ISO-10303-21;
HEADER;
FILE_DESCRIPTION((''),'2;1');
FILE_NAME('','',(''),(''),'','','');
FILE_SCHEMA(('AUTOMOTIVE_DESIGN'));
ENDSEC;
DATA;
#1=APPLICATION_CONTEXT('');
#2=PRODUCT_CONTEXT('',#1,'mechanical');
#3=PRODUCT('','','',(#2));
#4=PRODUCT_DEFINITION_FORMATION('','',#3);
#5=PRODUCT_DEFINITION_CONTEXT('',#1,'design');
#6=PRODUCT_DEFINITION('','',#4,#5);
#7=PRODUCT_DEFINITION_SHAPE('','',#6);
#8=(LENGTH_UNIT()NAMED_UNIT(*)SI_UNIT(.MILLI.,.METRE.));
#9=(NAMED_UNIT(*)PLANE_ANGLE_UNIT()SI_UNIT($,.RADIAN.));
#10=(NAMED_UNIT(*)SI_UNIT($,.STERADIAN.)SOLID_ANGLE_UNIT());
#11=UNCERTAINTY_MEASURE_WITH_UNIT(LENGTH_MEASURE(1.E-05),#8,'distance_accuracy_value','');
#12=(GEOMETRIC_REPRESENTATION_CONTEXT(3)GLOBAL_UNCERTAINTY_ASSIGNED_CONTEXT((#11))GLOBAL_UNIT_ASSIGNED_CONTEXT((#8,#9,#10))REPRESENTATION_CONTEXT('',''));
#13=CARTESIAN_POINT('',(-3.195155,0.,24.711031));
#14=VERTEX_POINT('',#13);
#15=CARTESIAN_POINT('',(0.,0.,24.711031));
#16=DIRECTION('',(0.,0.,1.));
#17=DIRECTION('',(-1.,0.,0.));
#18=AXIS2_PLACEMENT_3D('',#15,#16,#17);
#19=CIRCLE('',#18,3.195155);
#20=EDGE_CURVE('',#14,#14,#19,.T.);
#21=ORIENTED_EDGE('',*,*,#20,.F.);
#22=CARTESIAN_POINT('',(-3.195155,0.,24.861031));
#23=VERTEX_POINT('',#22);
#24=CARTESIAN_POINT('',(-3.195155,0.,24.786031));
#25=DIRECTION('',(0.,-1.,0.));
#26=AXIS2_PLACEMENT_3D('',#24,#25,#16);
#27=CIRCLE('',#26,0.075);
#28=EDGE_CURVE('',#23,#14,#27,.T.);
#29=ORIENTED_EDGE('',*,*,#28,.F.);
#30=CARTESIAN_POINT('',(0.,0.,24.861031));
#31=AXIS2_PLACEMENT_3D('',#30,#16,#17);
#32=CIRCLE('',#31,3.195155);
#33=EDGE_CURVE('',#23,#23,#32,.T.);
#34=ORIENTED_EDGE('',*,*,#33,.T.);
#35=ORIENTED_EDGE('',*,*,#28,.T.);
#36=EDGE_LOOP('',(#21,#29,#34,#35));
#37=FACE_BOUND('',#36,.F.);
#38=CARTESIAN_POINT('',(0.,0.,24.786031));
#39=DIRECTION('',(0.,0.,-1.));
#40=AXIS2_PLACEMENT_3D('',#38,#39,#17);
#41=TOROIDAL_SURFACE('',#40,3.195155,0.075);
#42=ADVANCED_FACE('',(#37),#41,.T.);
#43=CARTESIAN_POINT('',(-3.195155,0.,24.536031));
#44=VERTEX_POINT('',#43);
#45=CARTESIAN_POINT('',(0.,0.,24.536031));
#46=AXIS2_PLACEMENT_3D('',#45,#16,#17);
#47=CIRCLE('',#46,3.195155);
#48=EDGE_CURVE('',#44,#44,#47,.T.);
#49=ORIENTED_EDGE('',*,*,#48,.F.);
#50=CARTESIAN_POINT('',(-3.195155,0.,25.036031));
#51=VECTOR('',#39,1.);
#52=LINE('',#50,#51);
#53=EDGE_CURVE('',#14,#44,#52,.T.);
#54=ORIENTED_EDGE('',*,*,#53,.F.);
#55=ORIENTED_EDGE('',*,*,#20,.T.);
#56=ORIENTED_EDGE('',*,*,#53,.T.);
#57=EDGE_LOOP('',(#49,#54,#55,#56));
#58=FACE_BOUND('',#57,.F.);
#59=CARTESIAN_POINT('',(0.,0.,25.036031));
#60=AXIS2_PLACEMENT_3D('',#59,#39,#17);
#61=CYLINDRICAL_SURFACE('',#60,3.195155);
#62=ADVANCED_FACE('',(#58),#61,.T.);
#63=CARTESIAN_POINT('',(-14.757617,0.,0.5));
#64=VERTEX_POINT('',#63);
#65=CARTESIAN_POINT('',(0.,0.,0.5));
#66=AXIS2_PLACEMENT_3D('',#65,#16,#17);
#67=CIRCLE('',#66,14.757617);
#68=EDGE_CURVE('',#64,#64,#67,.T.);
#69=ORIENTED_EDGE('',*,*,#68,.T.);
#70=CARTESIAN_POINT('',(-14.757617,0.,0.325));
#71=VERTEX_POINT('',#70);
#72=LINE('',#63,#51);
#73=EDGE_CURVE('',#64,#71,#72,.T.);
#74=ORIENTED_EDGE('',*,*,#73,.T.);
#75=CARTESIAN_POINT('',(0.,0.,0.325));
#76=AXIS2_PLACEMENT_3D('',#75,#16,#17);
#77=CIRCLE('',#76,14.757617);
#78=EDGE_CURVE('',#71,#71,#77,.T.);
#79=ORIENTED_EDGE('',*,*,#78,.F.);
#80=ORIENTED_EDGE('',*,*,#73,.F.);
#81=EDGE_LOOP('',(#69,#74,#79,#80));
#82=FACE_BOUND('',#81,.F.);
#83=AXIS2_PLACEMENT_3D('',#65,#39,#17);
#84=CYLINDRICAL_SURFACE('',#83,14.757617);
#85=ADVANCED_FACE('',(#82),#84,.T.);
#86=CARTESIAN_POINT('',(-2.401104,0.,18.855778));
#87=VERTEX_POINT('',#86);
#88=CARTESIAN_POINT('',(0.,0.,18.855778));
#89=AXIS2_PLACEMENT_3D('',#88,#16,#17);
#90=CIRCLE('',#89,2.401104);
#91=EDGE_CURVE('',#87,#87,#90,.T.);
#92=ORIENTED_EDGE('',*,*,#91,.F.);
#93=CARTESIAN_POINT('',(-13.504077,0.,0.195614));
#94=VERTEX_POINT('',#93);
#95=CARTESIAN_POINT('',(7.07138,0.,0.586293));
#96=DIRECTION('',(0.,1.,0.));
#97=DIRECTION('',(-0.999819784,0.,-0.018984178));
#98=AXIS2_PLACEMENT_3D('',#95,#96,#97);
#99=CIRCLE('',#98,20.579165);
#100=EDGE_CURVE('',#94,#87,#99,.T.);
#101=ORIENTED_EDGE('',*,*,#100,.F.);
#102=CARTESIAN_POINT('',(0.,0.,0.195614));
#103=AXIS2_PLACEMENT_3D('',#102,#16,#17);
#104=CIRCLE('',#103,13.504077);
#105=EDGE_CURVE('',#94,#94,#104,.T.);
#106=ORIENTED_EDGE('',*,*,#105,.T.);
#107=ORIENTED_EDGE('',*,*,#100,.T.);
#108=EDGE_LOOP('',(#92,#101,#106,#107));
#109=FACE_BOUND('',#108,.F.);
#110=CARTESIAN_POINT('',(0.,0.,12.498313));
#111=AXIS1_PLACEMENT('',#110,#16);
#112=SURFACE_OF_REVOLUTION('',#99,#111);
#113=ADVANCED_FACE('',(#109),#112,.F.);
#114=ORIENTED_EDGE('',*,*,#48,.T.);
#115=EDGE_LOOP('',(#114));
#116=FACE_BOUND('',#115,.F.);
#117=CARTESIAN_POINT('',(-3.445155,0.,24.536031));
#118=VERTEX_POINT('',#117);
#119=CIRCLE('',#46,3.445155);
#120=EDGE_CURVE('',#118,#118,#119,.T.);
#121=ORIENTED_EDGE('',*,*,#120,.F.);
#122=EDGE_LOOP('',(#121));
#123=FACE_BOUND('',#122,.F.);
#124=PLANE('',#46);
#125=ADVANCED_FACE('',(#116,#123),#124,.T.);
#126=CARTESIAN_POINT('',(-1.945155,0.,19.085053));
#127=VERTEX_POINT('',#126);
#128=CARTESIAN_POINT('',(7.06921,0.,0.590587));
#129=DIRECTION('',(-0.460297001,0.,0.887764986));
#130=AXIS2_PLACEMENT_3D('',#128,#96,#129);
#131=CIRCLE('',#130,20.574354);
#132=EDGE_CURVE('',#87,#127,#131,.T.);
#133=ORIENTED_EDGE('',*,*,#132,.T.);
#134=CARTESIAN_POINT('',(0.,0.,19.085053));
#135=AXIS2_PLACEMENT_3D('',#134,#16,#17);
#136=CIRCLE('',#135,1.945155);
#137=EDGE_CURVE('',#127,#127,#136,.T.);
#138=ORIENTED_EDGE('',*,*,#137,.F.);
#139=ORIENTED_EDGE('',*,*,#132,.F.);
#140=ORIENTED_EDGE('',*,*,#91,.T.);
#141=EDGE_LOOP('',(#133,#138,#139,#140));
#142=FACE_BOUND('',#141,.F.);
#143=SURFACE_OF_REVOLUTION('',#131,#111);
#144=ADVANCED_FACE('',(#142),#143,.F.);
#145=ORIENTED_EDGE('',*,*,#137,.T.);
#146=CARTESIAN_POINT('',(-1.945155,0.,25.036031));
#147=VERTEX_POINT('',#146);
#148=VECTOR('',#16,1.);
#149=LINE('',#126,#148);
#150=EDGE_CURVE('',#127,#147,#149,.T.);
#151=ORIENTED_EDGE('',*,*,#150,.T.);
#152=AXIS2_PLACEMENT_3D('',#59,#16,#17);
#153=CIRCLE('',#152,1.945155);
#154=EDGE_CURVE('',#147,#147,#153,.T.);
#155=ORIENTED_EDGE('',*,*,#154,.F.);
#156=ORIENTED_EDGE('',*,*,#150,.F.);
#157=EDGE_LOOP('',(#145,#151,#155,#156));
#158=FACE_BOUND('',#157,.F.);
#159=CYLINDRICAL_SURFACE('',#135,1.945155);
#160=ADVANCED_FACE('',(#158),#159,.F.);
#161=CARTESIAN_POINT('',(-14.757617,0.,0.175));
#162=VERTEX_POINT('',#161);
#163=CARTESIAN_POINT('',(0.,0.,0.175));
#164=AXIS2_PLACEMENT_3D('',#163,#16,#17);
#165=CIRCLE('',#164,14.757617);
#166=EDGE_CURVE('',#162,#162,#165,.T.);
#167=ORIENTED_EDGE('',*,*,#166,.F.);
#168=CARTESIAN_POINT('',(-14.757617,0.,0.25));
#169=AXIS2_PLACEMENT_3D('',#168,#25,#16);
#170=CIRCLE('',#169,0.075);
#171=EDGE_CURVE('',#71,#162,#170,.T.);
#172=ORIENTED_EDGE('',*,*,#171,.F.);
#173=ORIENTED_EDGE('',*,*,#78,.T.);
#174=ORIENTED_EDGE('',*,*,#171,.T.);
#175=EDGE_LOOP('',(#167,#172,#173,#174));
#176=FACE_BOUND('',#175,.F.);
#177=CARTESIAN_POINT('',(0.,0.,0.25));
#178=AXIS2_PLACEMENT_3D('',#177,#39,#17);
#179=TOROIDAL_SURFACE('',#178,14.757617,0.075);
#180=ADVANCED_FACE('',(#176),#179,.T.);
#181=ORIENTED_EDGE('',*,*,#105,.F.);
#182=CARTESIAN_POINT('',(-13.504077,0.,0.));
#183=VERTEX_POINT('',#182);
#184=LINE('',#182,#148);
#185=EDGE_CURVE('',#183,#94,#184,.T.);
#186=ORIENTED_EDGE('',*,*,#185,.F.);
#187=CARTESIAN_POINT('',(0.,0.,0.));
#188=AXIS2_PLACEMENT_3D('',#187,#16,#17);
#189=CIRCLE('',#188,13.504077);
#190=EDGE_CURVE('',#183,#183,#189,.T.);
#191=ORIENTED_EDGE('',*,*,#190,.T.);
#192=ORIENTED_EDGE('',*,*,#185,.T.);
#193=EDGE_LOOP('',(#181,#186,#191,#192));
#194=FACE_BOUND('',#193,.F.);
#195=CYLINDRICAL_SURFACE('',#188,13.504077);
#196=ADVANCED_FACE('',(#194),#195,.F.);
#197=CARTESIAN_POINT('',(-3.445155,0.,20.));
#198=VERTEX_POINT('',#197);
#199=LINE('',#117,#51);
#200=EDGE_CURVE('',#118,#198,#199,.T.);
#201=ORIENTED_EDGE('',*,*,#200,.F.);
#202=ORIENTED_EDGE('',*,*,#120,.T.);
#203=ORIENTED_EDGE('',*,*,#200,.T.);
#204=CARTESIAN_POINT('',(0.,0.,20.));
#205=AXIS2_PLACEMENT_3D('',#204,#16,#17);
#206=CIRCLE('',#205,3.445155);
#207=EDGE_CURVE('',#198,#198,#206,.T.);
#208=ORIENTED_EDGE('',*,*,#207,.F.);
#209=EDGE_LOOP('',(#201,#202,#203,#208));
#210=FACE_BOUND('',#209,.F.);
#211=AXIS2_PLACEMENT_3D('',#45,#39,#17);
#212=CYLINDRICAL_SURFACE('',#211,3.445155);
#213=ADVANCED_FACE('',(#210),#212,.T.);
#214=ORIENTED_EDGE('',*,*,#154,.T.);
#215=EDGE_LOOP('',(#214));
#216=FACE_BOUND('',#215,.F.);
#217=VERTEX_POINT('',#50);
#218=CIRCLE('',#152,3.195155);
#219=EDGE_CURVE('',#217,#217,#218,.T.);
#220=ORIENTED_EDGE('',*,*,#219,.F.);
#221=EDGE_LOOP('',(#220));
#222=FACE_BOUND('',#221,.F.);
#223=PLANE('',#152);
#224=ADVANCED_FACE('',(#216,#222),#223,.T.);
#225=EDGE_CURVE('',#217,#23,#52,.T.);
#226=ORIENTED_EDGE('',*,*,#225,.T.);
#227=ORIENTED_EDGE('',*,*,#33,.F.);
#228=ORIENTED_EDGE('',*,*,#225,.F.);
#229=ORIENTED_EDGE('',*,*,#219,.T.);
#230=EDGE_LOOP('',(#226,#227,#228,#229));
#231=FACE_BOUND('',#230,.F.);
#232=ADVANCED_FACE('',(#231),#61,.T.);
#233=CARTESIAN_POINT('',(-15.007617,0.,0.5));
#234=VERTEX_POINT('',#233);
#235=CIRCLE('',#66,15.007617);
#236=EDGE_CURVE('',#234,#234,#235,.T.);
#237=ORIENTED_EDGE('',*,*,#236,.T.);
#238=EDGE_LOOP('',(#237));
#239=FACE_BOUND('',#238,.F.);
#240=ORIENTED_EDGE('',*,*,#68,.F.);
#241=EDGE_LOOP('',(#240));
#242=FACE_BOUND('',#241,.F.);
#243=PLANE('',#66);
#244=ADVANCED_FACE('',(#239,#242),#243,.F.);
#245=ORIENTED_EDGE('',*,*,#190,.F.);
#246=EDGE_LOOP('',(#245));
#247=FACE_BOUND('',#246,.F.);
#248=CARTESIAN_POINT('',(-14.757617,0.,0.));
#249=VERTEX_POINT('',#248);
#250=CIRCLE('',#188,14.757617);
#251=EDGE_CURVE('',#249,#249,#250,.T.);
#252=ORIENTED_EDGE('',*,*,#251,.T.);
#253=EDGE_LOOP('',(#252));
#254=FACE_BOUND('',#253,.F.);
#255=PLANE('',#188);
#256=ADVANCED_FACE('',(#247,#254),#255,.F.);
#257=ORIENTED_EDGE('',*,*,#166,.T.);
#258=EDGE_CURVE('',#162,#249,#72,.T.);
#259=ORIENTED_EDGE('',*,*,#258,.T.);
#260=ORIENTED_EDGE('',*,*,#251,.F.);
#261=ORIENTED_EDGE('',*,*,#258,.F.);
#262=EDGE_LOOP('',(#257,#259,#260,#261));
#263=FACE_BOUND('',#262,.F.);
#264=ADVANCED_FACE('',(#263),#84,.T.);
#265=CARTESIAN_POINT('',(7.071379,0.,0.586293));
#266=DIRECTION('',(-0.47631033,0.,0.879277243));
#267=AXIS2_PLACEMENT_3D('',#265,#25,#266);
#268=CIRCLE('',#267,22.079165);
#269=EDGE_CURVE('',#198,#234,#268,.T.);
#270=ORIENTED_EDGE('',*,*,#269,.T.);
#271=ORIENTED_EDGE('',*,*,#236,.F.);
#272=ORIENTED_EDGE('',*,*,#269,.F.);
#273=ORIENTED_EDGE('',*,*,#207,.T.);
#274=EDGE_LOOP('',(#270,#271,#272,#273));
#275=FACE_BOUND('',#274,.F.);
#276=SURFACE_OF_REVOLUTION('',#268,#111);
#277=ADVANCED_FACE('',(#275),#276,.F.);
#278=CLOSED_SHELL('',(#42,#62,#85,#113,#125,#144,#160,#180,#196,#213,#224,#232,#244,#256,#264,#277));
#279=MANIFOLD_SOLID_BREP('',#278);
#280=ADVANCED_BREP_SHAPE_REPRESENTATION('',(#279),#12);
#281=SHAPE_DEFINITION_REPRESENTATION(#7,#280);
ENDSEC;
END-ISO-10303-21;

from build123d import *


with BuildPart() as f1:
    # F0 (on Front) → F1 (revolve)
    with BuildSketch(Plane.XZ):
        with BuildLine():
            Line((-3.445155, 24.536031), (-3.445155, 20))
            ThreePointArc((-3.445155, 20), (-11.920189, 11.847281), (-15.007617, 0.5))
            Line((-15.007617, 0.5), (-14.757617, 0.5))
            Line((-14.757617, 0.5), (-14.757617, 0.325))
            Line((-14.757617, 0.325), (-14.757617, 0.175))
            Line((-14.757617, 0.175), (-14.757617, 0))
            Line((-14.757617, 0), (-13.504077, 0))
            Line((-13.504077, 0), (-13.504077, 0.195614))
            ThreePointArc((-13.504077, 0.195614), (-10.613928, 11.109217), (-2.401104, 18.855778))
            Line((-2.401104, 18.855778), (-2.401104, 25.036031))
            Line((-2.401104, 25.036031), (-3.195155, 25.036031))
            Line((-3.195155, 25.036031), (-3.195155, 24.861031))
            Line((-3.195155, 24.861031), (-3.195155, 24.711031))
            Line((-3.195155, 24.711031), (-3.195155, 24.536031))
            Line((-3.195155, 24.536031), (-3.445155, 24.536031))
        make_face()
        with BuildLine():
            Line((-14.757617, 0.175), (-14.757617, 0.325))
            ThreePointArc((-14.757617, 0.325), (-14.832617, 0.25), (-14.757617, 0.175))
        make_face()
        with BuildLine():
            ThreePointArc((-3.195155, 24.861031), (-3.270155, 24.786031), (-3.195155, 24.711031))
            Line((-3.195155, 24.711031), (-3.195155, 24.861031))
        make_face()
        with BuildLine():
            Line((-1.945155, 25.036031), (-2.401104, 25.036031))
            Line((-2.401104, 25.036031), (-2.401104, 18.855778))
            ThreePointArc((-2.401104, 18.855778), (-2.173841, 18.971829), (-1.945155, 19.085053))
            Line((-1.945155, 19.085053), (-1.945155, 24.585053))
            Line((-1.945155, 24.585053), (-1.945155, 25.036031))
        make_face()
    revolve(axis=Axis((0, 0, 12.498313), (0, 0, 1)))


solid = f1.part
